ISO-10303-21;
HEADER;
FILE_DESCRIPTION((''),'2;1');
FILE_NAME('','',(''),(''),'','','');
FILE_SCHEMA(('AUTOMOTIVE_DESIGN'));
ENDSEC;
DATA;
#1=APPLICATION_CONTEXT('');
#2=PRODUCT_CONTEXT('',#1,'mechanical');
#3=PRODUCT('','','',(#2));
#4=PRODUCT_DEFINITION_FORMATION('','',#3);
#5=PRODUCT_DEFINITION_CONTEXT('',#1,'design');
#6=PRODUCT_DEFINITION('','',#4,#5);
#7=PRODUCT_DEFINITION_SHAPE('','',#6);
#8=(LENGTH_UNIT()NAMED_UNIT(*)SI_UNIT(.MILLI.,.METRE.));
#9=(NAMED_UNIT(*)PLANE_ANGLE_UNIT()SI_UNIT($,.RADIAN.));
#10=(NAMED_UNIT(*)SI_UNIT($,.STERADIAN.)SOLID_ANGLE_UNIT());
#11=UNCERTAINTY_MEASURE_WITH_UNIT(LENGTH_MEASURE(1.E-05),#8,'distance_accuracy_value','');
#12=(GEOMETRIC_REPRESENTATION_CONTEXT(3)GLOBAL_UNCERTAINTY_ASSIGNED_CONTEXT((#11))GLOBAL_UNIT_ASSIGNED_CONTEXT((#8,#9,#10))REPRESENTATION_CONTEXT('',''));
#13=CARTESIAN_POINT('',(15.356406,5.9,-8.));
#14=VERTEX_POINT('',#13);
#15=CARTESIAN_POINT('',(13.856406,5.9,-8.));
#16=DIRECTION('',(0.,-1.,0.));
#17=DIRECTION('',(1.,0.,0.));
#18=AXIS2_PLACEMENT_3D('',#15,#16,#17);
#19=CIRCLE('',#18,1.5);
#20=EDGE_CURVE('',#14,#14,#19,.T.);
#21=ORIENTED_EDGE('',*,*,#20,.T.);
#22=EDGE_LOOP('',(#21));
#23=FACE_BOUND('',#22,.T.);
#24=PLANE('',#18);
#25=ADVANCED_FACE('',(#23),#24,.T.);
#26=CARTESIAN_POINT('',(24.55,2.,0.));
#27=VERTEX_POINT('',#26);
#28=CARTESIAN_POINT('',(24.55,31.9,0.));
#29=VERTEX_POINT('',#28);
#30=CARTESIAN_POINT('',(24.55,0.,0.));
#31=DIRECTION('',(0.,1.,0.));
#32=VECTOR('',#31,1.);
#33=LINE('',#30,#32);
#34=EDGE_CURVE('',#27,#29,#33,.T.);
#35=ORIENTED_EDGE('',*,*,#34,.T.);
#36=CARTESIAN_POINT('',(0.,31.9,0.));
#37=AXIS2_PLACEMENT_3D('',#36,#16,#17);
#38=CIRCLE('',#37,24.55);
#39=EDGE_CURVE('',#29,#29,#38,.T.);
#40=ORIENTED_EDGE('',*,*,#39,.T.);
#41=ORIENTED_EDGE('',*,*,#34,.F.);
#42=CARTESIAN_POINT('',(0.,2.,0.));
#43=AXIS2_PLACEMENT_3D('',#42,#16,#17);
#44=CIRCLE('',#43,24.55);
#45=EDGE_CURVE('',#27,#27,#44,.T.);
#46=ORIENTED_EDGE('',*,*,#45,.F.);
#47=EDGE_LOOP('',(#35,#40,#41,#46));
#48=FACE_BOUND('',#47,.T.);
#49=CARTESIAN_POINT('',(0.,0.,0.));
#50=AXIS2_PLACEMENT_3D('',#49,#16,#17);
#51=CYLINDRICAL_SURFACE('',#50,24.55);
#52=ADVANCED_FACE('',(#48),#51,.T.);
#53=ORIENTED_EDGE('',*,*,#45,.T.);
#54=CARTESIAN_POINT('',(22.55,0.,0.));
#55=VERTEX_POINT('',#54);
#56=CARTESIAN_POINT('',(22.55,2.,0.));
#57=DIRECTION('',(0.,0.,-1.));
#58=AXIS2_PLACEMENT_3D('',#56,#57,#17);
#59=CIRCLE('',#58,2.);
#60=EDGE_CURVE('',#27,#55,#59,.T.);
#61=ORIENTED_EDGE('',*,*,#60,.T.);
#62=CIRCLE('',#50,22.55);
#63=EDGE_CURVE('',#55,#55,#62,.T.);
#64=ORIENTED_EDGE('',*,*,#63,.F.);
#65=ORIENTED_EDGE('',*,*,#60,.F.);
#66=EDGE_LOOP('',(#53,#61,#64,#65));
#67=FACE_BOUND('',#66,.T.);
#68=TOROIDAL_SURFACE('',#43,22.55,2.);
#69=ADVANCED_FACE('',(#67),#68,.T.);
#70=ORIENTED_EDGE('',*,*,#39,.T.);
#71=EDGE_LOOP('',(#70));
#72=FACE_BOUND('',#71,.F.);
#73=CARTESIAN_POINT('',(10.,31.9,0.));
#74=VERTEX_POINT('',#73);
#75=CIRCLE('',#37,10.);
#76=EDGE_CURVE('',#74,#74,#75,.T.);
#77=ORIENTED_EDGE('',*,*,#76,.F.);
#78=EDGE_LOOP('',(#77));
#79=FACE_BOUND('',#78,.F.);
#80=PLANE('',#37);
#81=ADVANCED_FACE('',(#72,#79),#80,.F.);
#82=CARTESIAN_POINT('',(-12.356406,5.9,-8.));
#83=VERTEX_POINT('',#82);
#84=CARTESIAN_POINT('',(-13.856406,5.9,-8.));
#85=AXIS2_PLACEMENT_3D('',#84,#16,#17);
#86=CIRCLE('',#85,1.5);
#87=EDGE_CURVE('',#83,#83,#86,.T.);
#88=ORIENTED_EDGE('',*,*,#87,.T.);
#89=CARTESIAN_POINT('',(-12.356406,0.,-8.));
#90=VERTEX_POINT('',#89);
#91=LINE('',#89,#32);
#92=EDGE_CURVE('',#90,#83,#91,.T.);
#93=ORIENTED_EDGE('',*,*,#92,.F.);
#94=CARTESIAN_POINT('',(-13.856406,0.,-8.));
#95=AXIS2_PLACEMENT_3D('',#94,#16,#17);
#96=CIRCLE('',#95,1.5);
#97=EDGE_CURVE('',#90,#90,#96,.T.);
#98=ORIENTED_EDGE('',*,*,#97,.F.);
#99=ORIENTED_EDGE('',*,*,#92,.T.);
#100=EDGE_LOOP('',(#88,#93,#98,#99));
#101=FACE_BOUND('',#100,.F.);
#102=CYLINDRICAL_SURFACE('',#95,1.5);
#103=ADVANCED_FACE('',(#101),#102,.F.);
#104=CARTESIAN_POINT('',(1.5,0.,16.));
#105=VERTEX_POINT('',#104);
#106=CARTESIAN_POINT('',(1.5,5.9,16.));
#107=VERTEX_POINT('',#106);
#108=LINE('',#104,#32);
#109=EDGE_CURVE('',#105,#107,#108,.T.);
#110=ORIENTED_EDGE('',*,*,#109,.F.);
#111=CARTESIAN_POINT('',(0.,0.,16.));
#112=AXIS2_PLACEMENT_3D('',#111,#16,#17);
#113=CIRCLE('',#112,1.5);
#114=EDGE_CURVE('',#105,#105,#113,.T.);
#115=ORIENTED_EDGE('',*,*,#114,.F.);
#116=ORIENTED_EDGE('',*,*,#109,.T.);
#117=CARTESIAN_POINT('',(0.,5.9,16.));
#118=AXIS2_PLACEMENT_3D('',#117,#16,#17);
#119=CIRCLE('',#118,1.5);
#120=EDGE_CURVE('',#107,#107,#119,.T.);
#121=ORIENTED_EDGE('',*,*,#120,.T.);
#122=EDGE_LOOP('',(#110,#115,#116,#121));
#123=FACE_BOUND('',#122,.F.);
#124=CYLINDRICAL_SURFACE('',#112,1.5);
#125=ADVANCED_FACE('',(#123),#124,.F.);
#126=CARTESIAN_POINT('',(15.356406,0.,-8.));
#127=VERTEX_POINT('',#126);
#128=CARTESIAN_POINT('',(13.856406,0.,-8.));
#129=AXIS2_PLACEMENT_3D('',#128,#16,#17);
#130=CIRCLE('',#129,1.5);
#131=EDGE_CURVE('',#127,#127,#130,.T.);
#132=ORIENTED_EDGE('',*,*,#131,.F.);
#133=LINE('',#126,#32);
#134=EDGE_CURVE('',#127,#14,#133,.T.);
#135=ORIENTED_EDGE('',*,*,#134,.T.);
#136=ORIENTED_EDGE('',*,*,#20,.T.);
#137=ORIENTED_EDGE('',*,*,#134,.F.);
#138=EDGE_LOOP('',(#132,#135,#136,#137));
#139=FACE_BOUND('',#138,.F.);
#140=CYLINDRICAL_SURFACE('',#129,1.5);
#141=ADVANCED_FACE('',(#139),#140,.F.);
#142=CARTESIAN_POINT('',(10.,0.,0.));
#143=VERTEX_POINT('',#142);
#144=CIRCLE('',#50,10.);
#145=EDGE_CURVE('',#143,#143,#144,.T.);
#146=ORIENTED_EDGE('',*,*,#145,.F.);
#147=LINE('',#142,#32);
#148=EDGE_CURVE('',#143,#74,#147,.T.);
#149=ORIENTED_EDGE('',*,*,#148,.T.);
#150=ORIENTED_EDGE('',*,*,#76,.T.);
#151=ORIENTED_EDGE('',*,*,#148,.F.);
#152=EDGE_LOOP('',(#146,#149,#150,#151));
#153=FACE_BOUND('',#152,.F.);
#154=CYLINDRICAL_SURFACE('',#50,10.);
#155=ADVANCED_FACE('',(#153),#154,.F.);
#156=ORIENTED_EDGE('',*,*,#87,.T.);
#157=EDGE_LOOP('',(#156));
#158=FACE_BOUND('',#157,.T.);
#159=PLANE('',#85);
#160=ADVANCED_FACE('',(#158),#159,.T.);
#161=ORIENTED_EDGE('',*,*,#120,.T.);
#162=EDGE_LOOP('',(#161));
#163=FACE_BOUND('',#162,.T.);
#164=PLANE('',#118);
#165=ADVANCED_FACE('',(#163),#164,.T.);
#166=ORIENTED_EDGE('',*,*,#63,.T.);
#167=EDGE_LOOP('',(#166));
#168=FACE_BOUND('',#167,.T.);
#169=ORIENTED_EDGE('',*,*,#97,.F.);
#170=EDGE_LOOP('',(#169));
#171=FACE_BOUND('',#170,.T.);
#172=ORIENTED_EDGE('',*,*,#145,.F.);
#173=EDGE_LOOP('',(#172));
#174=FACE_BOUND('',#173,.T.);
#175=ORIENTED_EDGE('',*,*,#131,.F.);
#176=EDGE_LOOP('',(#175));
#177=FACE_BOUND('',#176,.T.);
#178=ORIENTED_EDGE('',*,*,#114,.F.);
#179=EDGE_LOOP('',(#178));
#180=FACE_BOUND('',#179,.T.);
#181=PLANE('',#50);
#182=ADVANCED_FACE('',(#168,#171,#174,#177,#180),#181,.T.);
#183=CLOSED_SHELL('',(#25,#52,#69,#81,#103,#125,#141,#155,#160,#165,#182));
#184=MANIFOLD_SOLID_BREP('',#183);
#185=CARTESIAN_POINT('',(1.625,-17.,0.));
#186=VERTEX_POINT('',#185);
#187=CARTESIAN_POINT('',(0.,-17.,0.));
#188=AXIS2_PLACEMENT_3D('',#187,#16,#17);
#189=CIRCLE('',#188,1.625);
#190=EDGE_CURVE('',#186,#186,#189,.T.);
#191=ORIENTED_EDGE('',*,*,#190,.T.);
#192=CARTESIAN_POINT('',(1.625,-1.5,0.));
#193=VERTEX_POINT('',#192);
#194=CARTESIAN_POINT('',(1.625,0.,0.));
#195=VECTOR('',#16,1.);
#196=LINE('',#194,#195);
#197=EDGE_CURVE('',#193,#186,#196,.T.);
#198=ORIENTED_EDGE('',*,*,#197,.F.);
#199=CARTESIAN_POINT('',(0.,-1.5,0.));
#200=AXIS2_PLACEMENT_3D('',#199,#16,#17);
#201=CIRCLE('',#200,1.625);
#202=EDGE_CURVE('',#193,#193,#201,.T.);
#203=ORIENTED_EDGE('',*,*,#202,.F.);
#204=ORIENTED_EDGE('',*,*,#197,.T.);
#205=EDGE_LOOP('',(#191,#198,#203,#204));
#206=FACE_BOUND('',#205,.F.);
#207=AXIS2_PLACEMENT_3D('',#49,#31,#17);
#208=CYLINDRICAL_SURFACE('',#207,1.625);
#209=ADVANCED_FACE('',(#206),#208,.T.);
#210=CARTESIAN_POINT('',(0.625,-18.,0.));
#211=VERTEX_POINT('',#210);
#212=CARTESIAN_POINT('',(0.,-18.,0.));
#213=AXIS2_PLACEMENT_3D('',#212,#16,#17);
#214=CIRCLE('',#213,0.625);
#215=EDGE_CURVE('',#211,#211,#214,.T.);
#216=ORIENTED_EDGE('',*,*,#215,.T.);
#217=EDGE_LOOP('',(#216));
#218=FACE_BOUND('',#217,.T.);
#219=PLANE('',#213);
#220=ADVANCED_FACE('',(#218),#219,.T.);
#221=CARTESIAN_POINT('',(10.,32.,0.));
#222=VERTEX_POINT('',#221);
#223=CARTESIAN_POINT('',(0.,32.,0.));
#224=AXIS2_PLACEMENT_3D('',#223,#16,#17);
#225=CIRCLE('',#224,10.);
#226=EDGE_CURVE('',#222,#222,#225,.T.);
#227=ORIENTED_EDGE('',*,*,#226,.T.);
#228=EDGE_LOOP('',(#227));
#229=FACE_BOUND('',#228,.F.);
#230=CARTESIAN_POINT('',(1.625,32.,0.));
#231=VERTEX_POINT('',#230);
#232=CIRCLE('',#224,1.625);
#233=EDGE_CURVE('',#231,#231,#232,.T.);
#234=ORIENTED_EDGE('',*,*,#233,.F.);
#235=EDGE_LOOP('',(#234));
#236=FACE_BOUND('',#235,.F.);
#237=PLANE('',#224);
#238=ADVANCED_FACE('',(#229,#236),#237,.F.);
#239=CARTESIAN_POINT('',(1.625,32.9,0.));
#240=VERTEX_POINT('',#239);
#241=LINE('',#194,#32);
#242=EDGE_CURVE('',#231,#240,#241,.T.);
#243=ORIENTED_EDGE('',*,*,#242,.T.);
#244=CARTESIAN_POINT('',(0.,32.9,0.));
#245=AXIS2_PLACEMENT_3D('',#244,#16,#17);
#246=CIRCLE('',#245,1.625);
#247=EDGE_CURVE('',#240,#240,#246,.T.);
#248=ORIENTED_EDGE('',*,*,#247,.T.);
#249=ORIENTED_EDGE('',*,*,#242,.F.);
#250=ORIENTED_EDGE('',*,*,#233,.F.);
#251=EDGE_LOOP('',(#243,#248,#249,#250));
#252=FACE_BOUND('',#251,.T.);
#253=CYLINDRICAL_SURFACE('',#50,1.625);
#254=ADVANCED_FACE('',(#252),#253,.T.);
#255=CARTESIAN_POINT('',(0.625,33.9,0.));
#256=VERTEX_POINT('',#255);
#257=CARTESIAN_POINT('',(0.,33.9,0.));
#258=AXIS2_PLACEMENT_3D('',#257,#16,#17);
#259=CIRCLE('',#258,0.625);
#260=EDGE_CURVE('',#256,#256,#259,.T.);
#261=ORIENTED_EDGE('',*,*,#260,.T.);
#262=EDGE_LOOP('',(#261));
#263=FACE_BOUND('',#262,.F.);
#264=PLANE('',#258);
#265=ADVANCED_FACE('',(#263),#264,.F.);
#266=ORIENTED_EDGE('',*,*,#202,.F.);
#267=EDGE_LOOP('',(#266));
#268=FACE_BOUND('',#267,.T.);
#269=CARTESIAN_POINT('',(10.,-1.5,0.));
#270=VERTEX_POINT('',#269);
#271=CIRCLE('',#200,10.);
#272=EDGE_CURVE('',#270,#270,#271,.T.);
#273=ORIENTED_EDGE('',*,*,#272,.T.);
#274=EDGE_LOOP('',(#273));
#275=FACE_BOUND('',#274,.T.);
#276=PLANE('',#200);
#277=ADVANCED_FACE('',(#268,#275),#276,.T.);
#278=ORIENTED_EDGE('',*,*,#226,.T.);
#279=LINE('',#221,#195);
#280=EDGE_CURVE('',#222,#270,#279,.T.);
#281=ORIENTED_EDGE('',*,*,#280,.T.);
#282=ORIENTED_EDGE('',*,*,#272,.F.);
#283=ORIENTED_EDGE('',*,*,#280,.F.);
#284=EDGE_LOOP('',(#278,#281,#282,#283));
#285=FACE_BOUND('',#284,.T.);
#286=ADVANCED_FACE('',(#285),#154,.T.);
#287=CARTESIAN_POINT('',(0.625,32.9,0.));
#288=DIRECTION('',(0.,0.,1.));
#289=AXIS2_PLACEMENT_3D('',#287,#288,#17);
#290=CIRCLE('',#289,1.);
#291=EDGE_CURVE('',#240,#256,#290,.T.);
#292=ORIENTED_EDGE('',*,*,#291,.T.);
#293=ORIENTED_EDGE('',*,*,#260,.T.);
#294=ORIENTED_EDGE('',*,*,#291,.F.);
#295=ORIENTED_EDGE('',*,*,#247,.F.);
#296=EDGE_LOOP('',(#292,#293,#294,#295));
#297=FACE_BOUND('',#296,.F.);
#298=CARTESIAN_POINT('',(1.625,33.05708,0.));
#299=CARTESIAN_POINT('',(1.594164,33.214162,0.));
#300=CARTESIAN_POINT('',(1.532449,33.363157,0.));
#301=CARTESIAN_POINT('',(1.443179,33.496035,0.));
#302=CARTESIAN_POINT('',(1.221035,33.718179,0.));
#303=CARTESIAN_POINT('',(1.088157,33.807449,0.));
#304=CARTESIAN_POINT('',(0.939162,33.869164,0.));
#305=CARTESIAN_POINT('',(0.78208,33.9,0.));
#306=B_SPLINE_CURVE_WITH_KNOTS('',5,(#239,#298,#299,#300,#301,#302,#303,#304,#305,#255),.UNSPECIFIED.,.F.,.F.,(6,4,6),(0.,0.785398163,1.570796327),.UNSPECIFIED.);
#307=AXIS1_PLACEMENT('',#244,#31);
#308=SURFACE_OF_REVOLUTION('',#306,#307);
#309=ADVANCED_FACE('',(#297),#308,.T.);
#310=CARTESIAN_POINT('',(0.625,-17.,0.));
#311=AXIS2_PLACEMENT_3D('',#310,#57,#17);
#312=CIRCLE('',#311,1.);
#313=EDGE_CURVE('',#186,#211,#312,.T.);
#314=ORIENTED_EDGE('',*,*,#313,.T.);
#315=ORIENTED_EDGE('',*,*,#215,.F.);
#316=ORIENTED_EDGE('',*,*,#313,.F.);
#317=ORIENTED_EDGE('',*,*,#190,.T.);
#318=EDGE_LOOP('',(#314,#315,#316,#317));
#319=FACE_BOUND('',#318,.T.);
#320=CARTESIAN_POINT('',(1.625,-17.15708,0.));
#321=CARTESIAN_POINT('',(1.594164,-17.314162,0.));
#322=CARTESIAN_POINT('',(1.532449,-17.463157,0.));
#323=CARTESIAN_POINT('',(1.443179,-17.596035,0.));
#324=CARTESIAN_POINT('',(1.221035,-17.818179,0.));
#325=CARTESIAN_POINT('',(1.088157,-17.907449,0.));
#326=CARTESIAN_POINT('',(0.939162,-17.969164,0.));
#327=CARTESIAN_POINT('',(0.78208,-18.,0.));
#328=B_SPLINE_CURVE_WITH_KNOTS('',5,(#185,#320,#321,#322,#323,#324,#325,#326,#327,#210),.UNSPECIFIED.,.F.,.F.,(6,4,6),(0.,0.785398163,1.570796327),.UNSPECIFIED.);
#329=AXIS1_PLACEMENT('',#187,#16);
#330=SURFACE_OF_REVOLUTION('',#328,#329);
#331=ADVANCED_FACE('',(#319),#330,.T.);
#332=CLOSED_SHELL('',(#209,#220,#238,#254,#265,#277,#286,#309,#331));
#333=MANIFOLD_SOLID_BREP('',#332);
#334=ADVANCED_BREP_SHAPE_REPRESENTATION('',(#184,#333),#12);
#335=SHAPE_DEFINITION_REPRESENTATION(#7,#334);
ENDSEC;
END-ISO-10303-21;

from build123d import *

# Parameters (mm, degrees)
F0_R          = 24.55
F0_R_2        = 10
F1_DEPTH      = 31.9
F2_R          = 10
F2_R_2        = 1.625
F3_DEPTH      = 1.5
F3_DEPTH_BACK = 32
F4_R          = 1.625
F5_DEPTH      = 18
F5_DEPTH_BACK = 33.9
F6_R          = 2
F7_R          = 1
F8_R          = 1
F9_R          = 1.5
F10_DEPTH     = 5.9


with BuildPart() as f1:
    # F0 (on Front) → F1 (new body)
    with BuildSketch(Plane.XZ):
        Circle(F0_R)
        Circle(F0_R_2, mode=Mode.SUBTRACT)
    extrude(amount=-F1_DEPTH)

    # F6
    f6_edges = [f1.edges().sort_by_distance(p)[0] for p in [
        (-24.55, 0, 0),
    ]]
    fillet(f6_edges, radius=F6_R)

    # F9 (on Front) → F10 (cut)
    with BuildSketch(Plane.XZ):
        with Locations((13.856406, -8)):
            Circle(F9_R)
        with Locations((-13.856406, -8)):
            Circle(F9_R)
        with Locations((0, 16)):
            Circle(F9_R)
    extrude(amount=-F10_DEPTH, mode=Mode.SUBTRACT)


with BuildPart() as f3:
    # F2 (on Front) → F3 (new body, two sides)
    with BuildSketch(Plane.XZ) as f3_sk:
        Circle(F2_R)
        Circle(F2_R_2, mode=Mode.SUBTRACT)
    extrude(amount=F3_DEPTH)
    extrude(f3_sk.sketch, amount=-F3_DEPTH_BACK)

    # F4 (on Front) → F5 (join, two sides)
    with BuildSketch(Plane.XZ) as f5_sk:
        Circle(F4_R)
    extrude(amount=F5_DEPTH)
    extrude(f5_sk.sketch, amount=-F5_DEPTH_BACK)

    # F7
    f7_edges = [f3.edges().sort_by_distance(p)[0] for p in [
        (-1.625, -18, 0),
    ]]
    fillet(f7_edges, radius=F7_R)

    # F8
    f8_edges = [f3.edges().sort_by_distance(p)[0] for p in [
        (-1.625, 33.9, 0),
    ]]
    fillet(f8_edges, radius=F8_R)


solid = Compound([f1.part, f3.part])
